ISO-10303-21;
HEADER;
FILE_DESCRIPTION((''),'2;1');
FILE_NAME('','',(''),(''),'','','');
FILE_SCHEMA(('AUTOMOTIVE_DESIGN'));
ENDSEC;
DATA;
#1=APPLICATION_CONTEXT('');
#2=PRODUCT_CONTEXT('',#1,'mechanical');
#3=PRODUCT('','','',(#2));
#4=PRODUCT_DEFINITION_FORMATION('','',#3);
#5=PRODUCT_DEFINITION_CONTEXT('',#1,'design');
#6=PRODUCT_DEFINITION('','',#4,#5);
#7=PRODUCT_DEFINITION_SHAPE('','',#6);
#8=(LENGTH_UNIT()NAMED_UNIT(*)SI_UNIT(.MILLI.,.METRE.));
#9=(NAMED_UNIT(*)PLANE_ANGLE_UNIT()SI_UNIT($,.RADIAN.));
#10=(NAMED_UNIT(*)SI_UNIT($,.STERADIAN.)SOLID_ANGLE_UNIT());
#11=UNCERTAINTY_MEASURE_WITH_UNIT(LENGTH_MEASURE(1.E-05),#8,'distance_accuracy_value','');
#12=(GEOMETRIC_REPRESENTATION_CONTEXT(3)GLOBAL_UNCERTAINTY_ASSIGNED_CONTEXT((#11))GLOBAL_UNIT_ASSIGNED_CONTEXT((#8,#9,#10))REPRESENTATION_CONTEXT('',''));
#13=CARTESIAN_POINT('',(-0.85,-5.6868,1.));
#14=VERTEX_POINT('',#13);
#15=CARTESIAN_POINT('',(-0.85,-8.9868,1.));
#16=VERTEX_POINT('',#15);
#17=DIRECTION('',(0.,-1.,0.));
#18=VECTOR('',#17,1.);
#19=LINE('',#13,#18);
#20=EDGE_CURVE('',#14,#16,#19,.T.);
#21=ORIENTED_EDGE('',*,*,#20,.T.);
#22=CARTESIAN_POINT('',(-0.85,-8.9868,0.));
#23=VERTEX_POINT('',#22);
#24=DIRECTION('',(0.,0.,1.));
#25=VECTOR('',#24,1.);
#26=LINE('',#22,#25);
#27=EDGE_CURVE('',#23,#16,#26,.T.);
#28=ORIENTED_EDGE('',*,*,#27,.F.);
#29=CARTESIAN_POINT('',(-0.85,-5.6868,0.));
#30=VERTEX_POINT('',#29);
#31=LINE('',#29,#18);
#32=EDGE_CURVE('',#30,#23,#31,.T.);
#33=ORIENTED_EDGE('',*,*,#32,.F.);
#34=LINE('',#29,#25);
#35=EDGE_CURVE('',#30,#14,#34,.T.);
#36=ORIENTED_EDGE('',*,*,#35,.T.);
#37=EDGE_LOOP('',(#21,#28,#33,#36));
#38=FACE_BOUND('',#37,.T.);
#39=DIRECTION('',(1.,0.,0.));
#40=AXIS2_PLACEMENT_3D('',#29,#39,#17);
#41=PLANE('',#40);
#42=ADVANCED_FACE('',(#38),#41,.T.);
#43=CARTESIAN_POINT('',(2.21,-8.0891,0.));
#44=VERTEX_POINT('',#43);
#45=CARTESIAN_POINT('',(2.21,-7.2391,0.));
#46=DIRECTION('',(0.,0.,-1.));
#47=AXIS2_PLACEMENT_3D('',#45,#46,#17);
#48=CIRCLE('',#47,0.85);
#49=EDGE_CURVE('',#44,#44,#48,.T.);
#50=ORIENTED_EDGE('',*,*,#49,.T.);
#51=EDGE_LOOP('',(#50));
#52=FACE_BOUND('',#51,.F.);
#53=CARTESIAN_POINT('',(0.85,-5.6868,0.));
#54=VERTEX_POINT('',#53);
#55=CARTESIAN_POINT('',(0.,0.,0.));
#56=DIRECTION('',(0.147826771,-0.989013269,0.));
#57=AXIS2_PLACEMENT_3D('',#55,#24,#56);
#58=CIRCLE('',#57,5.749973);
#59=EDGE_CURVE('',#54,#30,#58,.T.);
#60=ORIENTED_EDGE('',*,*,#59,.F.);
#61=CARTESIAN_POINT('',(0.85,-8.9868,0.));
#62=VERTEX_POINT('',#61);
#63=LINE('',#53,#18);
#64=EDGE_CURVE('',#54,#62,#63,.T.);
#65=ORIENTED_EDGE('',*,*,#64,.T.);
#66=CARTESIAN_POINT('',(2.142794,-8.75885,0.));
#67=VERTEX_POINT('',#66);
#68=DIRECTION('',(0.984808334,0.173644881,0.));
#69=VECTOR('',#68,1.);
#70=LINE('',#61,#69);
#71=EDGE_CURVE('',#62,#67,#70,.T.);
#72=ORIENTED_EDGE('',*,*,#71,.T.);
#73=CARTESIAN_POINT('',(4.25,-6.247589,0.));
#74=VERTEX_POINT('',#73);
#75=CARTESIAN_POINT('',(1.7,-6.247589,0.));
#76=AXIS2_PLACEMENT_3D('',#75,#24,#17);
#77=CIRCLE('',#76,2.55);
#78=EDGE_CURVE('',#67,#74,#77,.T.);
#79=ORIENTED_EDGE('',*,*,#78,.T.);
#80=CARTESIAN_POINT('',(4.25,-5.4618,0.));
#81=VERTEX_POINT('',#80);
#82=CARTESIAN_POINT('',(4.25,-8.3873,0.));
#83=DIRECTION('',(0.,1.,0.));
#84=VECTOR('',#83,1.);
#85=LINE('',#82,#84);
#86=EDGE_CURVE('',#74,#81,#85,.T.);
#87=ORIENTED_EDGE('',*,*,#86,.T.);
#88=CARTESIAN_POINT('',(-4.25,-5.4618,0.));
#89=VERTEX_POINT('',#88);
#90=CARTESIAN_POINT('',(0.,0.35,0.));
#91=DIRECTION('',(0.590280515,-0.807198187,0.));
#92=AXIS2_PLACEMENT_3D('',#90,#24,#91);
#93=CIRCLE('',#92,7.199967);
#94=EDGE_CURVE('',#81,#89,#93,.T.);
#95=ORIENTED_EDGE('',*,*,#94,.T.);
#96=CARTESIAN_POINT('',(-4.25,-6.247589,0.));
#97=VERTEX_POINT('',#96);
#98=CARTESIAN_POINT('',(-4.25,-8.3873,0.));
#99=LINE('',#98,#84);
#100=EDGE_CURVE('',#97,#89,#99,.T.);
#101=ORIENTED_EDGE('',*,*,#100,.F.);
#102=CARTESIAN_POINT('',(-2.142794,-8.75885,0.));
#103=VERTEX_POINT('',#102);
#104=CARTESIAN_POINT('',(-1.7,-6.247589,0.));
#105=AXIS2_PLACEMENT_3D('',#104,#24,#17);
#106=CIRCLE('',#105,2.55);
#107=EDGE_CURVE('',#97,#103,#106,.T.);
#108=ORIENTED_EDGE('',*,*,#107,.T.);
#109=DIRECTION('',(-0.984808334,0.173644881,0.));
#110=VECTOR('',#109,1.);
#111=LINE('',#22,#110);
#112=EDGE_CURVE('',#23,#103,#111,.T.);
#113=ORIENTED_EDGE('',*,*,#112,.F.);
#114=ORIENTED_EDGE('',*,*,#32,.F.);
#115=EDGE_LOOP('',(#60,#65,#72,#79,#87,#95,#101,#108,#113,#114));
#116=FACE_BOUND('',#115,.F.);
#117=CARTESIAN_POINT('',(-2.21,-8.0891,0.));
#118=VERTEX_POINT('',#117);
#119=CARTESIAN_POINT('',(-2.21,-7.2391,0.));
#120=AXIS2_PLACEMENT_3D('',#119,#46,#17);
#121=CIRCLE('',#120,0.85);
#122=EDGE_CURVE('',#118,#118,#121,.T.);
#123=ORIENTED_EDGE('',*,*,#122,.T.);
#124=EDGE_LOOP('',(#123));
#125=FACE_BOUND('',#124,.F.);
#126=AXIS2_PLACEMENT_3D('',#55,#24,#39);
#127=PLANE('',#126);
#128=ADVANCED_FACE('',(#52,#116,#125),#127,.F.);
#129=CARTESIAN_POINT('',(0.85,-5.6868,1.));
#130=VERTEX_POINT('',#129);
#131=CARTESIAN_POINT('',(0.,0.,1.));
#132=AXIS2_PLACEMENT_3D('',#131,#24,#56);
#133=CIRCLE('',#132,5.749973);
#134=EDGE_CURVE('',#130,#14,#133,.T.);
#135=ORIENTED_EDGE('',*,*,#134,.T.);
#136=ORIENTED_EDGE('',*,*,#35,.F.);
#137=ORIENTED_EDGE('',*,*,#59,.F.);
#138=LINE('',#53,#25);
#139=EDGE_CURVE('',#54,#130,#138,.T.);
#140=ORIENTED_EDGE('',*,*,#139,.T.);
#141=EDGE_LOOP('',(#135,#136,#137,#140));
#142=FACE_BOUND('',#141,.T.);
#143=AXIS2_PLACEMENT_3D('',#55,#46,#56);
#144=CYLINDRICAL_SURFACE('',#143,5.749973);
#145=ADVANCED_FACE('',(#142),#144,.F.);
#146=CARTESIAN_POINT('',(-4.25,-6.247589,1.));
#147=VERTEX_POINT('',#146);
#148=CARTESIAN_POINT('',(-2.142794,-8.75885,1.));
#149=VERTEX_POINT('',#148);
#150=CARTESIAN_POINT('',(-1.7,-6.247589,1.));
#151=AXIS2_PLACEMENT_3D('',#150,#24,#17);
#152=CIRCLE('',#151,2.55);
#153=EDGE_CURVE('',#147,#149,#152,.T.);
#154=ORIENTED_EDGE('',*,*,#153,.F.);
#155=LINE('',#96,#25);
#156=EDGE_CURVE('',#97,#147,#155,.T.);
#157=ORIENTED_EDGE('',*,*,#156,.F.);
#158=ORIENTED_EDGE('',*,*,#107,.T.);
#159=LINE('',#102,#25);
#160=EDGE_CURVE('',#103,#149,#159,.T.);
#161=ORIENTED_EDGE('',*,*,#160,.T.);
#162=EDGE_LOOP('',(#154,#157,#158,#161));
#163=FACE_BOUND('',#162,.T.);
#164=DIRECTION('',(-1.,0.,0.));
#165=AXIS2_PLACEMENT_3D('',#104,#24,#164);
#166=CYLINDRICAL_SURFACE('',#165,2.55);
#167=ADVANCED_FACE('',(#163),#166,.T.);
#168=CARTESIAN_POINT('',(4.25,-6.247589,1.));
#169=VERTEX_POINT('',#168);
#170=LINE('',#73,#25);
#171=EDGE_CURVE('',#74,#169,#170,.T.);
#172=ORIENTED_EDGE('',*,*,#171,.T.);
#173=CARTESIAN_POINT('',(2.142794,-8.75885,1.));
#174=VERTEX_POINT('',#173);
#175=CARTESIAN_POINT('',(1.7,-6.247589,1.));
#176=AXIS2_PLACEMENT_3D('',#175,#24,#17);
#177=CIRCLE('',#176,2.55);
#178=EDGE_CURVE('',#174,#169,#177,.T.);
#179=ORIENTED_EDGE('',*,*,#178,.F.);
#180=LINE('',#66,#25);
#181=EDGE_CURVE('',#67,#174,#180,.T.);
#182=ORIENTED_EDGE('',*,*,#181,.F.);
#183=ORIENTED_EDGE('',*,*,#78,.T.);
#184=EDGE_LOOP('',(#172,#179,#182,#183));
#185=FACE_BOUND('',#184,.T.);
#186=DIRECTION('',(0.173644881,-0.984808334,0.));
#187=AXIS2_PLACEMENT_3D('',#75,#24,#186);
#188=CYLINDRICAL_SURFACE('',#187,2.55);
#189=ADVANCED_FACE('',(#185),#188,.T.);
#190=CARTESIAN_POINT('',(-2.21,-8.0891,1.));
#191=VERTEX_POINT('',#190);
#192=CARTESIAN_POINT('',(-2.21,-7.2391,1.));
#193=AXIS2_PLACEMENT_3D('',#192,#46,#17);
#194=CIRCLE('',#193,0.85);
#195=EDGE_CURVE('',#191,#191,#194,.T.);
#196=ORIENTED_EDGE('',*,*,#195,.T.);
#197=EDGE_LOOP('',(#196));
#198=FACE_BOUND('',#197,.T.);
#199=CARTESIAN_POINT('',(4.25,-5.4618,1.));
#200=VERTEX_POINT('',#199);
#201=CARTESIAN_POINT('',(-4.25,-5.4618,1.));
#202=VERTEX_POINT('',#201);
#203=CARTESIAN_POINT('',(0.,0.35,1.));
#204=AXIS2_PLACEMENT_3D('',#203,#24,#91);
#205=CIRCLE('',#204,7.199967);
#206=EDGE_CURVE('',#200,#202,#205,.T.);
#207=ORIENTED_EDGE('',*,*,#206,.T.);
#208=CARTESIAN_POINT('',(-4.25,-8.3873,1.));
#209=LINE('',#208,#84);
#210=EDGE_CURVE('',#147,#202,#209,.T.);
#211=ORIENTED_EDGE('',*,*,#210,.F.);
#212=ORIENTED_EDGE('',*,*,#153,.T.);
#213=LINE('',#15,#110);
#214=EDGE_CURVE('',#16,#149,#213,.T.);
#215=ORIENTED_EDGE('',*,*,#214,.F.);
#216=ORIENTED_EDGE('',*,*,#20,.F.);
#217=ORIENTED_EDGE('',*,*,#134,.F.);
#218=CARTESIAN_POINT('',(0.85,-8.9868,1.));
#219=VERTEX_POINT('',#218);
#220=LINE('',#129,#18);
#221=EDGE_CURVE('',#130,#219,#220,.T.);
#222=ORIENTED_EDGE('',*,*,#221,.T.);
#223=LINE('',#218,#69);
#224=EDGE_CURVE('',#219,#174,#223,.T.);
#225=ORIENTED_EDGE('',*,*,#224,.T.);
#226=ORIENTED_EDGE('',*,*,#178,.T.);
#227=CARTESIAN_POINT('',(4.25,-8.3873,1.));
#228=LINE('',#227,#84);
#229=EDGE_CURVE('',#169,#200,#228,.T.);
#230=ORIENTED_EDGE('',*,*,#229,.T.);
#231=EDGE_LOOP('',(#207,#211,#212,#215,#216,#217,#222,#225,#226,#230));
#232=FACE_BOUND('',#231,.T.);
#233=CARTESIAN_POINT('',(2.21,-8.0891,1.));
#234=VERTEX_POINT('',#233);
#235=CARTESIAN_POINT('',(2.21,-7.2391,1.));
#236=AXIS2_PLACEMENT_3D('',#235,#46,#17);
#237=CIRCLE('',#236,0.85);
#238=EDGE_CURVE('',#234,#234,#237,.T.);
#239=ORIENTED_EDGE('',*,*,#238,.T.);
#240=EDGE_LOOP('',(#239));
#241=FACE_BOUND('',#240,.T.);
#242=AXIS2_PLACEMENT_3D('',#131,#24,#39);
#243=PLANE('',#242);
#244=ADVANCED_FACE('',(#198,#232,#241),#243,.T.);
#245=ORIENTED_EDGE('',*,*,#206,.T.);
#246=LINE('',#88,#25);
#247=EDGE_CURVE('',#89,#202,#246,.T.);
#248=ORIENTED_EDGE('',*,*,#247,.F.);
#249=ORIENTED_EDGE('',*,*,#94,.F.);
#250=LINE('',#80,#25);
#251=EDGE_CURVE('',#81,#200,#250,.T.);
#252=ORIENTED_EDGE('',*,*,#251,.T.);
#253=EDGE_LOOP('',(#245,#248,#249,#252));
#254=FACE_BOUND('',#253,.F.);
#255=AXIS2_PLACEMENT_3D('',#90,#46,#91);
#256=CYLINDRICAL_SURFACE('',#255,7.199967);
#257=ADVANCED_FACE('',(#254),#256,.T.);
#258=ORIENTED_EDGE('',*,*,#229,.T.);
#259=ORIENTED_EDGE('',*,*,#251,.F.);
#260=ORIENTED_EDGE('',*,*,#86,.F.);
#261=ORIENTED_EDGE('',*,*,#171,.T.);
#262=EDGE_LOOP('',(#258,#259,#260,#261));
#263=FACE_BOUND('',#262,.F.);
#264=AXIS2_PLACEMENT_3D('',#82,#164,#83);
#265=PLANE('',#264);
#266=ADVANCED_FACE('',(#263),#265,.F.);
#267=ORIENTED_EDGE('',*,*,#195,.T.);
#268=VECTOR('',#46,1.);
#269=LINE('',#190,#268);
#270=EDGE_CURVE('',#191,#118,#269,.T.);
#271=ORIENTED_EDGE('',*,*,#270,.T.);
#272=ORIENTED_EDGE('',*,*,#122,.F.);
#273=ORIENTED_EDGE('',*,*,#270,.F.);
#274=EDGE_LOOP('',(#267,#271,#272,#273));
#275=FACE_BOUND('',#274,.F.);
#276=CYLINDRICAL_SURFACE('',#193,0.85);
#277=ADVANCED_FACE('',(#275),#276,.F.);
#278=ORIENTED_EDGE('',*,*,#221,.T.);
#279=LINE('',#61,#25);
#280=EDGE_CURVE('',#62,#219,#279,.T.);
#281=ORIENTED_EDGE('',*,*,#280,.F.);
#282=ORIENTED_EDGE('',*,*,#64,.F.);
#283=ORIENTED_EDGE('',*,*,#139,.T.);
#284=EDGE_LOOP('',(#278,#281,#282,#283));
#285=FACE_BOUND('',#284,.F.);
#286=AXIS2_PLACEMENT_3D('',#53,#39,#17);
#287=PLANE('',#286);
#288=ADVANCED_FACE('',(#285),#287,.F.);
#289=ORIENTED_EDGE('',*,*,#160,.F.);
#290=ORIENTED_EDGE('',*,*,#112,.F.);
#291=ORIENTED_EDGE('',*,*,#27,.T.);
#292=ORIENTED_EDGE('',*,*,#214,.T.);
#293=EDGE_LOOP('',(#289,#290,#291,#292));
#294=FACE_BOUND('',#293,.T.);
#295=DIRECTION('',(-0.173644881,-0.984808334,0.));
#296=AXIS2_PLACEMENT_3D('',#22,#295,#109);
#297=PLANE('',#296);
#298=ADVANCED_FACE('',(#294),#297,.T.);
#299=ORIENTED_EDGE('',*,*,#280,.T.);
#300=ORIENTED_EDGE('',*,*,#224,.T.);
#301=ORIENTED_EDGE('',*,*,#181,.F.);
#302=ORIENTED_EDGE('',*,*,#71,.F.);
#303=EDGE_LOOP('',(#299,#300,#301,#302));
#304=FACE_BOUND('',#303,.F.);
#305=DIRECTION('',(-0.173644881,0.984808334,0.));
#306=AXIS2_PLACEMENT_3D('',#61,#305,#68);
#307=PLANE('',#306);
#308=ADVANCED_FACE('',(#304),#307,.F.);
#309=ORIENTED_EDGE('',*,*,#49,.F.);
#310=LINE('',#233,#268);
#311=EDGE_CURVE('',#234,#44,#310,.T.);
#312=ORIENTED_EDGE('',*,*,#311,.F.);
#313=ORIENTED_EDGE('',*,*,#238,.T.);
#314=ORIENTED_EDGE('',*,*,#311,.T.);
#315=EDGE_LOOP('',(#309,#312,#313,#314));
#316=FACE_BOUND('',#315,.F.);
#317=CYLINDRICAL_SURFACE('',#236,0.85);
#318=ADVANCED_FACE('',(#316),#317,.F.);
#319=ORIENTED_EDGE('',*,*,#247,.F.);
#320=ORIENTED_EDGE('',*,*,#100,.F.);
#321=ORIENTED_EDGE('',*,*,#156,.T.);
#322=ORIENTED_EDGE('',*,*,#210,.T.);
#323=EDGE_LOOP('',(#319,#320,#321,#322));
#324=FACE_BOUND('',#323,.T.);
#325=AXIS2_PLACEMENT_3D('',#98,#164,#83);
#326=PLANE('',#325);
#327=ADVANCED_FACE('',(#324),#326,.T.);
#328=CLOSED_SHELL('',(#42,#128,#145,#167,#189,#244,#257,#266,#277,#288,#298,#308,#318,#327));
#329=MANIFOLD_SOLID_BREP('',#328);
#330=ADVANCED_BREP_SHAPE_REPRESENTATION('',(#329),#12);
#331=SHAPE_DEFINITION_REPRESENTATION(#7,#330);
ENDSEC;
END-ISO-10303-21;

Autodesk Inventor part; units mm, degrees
ref_plane "WorkPlane1" through (0, 0, 0) normal (0, 0, 1) x (1, 0, 0)
ref_plane "Work Plane2" through (0, 0, -1) normal (0, 0, 1) x (1, 0, 0)
ref_plane "WorkPlane2" through (0, 0, 1.5) normal (0, 0, 1) x (1, 0, 0)
sketch "Sketch1" plane through (0, 0, 0) normal (0, 0, 1) x (1, 0, 0)
  point P0 (0, 0)
sketch "Sketch2" plane through (0, 0, 0) normal (0, 0, 1) x (1, 0, 0)
  line L0 (4.25, -8.3873) -> (4.25, -5.4618)
  line L1 (0.85, -8.9868) -> (4.25, -8.3873)
  line L2 (0.85, -5.6868) -> (0.85, -8.9868)
  arc A0 (0.85, -5.6868) -> (-0.85, -5.6868) centre (0, 0) ccw
  line L3 (-0.85, -5.6868) -> (-0.85, -8.9868)
  line L4 (-0.85, -8.9868) -> (-4.25, -8.3873)
  line L5 (-4.25, -8.3873) -> (-4.25, -5.4618)
  arc A1 (4.25, -5.4618) -> (-4.25, -5.4618) centre (0, 0.35) ccw
  dimension "d2" = 5.75
  dimension "d4" = 7.2
  dimension "d6" = 0
  dimension "d8" = 0.85
  dimension "d10" = 0.85
  dimension "d12" = 3.3
  dimension "d14" = 3.3
  dimension "d16" = 80
  dimension "d18" = 80
  dimension "d20" = 3.4
  dimension "d22" = 3.4
  dimension "d24" = 0.35
  dimension "d52" = 0
  dimension "d53" = 0
extrude "Extrusion1" add sketch "Sketch2" along normal blind 1
sketch "Sketch3" plane through (0, 0, 1) normal (0, 0, 1) x (1, 0, 0)
  line L0 (-0.85, -5.6868) -> (-0.85, -8.9868) projected
  line L1 (-0.85, -8.9868) -> (-4.25, -8.3873) projected
  point P0 (-2.21, -7.2391)
  dimension "d30" = 1.36
  dimension "d32" = 1.485
hole "Hole1" at (-2.21, -7.2391, 1) direction (0, 0, -1) diameter 1.7 end through all
sketch "Sketch4" plane through (0, 0, 1) normal (0, 0, 1) x (1, 0, 0)
  line L0 (0.85, -8.9868) -> (0.85, -5.6868) projected
  line L1 (4.25, -8.3873) -> (0.85, -8.9868) projected
  point P0 (2.21, -7.2391)
  dimension "d41" = 1.36
  dimension "d43" = 1.485
hole "Hole2" at (2.21, -7.2391, 1) direction (0, 0, -1) diameter 1.7 end through all
fillet "Fillet1" radius 2.55 2 edges at (-4.25, -8.3873, 0.5) (4.25, -8.3873, 0.5)
equation "\"d30\" = 0.8 * Diam5"
equation "\"d32\" = 0.45 * ParA"
equation "\"d33\" = Diam5"
equation "\"d41\" = 0.8 * Diam5"
equation "\"d43\" = 0.45 * ParA"
equation "\"d44\" = Diam5"
equation "\"d51\" = 1.5 * Diam5"
equation "\"d2\" = 0.5 * Diam2"
equation "\"d4\" = 0.166667 * ParA + 0.5 * Diam2 + 0.5 * b"
equation "\"d8\" = 0.5 * Diam5"
equation "\"d10\" = 0.5 * Diam5"
equation "\"d12\" = ParA"
equation "\"d14\" = ParA"
equation "\"d20\" = 2 * Diam5"
equation "\"d22\" = 2 * Diam5"
equation "\"d24\" = -msp_r2 + 0.5 * Diam2 + b"
equation "\"d25\" = ParS"
equation "\"Diam5\" = 1.7"
equation "\"ParA\" = 3.3"
equation "\"ParS\" = 1"
equation "\"Diam2\" = 11.5"
equation "\"msp_r2\" = 0.166667 * ParA + 0.5 * Diam2 + 0.5 * b"
equation "\"TEMPLATE\" = 1.2345"
properties part number "DIN 471 - 12x1" material "Steel, Mild"
